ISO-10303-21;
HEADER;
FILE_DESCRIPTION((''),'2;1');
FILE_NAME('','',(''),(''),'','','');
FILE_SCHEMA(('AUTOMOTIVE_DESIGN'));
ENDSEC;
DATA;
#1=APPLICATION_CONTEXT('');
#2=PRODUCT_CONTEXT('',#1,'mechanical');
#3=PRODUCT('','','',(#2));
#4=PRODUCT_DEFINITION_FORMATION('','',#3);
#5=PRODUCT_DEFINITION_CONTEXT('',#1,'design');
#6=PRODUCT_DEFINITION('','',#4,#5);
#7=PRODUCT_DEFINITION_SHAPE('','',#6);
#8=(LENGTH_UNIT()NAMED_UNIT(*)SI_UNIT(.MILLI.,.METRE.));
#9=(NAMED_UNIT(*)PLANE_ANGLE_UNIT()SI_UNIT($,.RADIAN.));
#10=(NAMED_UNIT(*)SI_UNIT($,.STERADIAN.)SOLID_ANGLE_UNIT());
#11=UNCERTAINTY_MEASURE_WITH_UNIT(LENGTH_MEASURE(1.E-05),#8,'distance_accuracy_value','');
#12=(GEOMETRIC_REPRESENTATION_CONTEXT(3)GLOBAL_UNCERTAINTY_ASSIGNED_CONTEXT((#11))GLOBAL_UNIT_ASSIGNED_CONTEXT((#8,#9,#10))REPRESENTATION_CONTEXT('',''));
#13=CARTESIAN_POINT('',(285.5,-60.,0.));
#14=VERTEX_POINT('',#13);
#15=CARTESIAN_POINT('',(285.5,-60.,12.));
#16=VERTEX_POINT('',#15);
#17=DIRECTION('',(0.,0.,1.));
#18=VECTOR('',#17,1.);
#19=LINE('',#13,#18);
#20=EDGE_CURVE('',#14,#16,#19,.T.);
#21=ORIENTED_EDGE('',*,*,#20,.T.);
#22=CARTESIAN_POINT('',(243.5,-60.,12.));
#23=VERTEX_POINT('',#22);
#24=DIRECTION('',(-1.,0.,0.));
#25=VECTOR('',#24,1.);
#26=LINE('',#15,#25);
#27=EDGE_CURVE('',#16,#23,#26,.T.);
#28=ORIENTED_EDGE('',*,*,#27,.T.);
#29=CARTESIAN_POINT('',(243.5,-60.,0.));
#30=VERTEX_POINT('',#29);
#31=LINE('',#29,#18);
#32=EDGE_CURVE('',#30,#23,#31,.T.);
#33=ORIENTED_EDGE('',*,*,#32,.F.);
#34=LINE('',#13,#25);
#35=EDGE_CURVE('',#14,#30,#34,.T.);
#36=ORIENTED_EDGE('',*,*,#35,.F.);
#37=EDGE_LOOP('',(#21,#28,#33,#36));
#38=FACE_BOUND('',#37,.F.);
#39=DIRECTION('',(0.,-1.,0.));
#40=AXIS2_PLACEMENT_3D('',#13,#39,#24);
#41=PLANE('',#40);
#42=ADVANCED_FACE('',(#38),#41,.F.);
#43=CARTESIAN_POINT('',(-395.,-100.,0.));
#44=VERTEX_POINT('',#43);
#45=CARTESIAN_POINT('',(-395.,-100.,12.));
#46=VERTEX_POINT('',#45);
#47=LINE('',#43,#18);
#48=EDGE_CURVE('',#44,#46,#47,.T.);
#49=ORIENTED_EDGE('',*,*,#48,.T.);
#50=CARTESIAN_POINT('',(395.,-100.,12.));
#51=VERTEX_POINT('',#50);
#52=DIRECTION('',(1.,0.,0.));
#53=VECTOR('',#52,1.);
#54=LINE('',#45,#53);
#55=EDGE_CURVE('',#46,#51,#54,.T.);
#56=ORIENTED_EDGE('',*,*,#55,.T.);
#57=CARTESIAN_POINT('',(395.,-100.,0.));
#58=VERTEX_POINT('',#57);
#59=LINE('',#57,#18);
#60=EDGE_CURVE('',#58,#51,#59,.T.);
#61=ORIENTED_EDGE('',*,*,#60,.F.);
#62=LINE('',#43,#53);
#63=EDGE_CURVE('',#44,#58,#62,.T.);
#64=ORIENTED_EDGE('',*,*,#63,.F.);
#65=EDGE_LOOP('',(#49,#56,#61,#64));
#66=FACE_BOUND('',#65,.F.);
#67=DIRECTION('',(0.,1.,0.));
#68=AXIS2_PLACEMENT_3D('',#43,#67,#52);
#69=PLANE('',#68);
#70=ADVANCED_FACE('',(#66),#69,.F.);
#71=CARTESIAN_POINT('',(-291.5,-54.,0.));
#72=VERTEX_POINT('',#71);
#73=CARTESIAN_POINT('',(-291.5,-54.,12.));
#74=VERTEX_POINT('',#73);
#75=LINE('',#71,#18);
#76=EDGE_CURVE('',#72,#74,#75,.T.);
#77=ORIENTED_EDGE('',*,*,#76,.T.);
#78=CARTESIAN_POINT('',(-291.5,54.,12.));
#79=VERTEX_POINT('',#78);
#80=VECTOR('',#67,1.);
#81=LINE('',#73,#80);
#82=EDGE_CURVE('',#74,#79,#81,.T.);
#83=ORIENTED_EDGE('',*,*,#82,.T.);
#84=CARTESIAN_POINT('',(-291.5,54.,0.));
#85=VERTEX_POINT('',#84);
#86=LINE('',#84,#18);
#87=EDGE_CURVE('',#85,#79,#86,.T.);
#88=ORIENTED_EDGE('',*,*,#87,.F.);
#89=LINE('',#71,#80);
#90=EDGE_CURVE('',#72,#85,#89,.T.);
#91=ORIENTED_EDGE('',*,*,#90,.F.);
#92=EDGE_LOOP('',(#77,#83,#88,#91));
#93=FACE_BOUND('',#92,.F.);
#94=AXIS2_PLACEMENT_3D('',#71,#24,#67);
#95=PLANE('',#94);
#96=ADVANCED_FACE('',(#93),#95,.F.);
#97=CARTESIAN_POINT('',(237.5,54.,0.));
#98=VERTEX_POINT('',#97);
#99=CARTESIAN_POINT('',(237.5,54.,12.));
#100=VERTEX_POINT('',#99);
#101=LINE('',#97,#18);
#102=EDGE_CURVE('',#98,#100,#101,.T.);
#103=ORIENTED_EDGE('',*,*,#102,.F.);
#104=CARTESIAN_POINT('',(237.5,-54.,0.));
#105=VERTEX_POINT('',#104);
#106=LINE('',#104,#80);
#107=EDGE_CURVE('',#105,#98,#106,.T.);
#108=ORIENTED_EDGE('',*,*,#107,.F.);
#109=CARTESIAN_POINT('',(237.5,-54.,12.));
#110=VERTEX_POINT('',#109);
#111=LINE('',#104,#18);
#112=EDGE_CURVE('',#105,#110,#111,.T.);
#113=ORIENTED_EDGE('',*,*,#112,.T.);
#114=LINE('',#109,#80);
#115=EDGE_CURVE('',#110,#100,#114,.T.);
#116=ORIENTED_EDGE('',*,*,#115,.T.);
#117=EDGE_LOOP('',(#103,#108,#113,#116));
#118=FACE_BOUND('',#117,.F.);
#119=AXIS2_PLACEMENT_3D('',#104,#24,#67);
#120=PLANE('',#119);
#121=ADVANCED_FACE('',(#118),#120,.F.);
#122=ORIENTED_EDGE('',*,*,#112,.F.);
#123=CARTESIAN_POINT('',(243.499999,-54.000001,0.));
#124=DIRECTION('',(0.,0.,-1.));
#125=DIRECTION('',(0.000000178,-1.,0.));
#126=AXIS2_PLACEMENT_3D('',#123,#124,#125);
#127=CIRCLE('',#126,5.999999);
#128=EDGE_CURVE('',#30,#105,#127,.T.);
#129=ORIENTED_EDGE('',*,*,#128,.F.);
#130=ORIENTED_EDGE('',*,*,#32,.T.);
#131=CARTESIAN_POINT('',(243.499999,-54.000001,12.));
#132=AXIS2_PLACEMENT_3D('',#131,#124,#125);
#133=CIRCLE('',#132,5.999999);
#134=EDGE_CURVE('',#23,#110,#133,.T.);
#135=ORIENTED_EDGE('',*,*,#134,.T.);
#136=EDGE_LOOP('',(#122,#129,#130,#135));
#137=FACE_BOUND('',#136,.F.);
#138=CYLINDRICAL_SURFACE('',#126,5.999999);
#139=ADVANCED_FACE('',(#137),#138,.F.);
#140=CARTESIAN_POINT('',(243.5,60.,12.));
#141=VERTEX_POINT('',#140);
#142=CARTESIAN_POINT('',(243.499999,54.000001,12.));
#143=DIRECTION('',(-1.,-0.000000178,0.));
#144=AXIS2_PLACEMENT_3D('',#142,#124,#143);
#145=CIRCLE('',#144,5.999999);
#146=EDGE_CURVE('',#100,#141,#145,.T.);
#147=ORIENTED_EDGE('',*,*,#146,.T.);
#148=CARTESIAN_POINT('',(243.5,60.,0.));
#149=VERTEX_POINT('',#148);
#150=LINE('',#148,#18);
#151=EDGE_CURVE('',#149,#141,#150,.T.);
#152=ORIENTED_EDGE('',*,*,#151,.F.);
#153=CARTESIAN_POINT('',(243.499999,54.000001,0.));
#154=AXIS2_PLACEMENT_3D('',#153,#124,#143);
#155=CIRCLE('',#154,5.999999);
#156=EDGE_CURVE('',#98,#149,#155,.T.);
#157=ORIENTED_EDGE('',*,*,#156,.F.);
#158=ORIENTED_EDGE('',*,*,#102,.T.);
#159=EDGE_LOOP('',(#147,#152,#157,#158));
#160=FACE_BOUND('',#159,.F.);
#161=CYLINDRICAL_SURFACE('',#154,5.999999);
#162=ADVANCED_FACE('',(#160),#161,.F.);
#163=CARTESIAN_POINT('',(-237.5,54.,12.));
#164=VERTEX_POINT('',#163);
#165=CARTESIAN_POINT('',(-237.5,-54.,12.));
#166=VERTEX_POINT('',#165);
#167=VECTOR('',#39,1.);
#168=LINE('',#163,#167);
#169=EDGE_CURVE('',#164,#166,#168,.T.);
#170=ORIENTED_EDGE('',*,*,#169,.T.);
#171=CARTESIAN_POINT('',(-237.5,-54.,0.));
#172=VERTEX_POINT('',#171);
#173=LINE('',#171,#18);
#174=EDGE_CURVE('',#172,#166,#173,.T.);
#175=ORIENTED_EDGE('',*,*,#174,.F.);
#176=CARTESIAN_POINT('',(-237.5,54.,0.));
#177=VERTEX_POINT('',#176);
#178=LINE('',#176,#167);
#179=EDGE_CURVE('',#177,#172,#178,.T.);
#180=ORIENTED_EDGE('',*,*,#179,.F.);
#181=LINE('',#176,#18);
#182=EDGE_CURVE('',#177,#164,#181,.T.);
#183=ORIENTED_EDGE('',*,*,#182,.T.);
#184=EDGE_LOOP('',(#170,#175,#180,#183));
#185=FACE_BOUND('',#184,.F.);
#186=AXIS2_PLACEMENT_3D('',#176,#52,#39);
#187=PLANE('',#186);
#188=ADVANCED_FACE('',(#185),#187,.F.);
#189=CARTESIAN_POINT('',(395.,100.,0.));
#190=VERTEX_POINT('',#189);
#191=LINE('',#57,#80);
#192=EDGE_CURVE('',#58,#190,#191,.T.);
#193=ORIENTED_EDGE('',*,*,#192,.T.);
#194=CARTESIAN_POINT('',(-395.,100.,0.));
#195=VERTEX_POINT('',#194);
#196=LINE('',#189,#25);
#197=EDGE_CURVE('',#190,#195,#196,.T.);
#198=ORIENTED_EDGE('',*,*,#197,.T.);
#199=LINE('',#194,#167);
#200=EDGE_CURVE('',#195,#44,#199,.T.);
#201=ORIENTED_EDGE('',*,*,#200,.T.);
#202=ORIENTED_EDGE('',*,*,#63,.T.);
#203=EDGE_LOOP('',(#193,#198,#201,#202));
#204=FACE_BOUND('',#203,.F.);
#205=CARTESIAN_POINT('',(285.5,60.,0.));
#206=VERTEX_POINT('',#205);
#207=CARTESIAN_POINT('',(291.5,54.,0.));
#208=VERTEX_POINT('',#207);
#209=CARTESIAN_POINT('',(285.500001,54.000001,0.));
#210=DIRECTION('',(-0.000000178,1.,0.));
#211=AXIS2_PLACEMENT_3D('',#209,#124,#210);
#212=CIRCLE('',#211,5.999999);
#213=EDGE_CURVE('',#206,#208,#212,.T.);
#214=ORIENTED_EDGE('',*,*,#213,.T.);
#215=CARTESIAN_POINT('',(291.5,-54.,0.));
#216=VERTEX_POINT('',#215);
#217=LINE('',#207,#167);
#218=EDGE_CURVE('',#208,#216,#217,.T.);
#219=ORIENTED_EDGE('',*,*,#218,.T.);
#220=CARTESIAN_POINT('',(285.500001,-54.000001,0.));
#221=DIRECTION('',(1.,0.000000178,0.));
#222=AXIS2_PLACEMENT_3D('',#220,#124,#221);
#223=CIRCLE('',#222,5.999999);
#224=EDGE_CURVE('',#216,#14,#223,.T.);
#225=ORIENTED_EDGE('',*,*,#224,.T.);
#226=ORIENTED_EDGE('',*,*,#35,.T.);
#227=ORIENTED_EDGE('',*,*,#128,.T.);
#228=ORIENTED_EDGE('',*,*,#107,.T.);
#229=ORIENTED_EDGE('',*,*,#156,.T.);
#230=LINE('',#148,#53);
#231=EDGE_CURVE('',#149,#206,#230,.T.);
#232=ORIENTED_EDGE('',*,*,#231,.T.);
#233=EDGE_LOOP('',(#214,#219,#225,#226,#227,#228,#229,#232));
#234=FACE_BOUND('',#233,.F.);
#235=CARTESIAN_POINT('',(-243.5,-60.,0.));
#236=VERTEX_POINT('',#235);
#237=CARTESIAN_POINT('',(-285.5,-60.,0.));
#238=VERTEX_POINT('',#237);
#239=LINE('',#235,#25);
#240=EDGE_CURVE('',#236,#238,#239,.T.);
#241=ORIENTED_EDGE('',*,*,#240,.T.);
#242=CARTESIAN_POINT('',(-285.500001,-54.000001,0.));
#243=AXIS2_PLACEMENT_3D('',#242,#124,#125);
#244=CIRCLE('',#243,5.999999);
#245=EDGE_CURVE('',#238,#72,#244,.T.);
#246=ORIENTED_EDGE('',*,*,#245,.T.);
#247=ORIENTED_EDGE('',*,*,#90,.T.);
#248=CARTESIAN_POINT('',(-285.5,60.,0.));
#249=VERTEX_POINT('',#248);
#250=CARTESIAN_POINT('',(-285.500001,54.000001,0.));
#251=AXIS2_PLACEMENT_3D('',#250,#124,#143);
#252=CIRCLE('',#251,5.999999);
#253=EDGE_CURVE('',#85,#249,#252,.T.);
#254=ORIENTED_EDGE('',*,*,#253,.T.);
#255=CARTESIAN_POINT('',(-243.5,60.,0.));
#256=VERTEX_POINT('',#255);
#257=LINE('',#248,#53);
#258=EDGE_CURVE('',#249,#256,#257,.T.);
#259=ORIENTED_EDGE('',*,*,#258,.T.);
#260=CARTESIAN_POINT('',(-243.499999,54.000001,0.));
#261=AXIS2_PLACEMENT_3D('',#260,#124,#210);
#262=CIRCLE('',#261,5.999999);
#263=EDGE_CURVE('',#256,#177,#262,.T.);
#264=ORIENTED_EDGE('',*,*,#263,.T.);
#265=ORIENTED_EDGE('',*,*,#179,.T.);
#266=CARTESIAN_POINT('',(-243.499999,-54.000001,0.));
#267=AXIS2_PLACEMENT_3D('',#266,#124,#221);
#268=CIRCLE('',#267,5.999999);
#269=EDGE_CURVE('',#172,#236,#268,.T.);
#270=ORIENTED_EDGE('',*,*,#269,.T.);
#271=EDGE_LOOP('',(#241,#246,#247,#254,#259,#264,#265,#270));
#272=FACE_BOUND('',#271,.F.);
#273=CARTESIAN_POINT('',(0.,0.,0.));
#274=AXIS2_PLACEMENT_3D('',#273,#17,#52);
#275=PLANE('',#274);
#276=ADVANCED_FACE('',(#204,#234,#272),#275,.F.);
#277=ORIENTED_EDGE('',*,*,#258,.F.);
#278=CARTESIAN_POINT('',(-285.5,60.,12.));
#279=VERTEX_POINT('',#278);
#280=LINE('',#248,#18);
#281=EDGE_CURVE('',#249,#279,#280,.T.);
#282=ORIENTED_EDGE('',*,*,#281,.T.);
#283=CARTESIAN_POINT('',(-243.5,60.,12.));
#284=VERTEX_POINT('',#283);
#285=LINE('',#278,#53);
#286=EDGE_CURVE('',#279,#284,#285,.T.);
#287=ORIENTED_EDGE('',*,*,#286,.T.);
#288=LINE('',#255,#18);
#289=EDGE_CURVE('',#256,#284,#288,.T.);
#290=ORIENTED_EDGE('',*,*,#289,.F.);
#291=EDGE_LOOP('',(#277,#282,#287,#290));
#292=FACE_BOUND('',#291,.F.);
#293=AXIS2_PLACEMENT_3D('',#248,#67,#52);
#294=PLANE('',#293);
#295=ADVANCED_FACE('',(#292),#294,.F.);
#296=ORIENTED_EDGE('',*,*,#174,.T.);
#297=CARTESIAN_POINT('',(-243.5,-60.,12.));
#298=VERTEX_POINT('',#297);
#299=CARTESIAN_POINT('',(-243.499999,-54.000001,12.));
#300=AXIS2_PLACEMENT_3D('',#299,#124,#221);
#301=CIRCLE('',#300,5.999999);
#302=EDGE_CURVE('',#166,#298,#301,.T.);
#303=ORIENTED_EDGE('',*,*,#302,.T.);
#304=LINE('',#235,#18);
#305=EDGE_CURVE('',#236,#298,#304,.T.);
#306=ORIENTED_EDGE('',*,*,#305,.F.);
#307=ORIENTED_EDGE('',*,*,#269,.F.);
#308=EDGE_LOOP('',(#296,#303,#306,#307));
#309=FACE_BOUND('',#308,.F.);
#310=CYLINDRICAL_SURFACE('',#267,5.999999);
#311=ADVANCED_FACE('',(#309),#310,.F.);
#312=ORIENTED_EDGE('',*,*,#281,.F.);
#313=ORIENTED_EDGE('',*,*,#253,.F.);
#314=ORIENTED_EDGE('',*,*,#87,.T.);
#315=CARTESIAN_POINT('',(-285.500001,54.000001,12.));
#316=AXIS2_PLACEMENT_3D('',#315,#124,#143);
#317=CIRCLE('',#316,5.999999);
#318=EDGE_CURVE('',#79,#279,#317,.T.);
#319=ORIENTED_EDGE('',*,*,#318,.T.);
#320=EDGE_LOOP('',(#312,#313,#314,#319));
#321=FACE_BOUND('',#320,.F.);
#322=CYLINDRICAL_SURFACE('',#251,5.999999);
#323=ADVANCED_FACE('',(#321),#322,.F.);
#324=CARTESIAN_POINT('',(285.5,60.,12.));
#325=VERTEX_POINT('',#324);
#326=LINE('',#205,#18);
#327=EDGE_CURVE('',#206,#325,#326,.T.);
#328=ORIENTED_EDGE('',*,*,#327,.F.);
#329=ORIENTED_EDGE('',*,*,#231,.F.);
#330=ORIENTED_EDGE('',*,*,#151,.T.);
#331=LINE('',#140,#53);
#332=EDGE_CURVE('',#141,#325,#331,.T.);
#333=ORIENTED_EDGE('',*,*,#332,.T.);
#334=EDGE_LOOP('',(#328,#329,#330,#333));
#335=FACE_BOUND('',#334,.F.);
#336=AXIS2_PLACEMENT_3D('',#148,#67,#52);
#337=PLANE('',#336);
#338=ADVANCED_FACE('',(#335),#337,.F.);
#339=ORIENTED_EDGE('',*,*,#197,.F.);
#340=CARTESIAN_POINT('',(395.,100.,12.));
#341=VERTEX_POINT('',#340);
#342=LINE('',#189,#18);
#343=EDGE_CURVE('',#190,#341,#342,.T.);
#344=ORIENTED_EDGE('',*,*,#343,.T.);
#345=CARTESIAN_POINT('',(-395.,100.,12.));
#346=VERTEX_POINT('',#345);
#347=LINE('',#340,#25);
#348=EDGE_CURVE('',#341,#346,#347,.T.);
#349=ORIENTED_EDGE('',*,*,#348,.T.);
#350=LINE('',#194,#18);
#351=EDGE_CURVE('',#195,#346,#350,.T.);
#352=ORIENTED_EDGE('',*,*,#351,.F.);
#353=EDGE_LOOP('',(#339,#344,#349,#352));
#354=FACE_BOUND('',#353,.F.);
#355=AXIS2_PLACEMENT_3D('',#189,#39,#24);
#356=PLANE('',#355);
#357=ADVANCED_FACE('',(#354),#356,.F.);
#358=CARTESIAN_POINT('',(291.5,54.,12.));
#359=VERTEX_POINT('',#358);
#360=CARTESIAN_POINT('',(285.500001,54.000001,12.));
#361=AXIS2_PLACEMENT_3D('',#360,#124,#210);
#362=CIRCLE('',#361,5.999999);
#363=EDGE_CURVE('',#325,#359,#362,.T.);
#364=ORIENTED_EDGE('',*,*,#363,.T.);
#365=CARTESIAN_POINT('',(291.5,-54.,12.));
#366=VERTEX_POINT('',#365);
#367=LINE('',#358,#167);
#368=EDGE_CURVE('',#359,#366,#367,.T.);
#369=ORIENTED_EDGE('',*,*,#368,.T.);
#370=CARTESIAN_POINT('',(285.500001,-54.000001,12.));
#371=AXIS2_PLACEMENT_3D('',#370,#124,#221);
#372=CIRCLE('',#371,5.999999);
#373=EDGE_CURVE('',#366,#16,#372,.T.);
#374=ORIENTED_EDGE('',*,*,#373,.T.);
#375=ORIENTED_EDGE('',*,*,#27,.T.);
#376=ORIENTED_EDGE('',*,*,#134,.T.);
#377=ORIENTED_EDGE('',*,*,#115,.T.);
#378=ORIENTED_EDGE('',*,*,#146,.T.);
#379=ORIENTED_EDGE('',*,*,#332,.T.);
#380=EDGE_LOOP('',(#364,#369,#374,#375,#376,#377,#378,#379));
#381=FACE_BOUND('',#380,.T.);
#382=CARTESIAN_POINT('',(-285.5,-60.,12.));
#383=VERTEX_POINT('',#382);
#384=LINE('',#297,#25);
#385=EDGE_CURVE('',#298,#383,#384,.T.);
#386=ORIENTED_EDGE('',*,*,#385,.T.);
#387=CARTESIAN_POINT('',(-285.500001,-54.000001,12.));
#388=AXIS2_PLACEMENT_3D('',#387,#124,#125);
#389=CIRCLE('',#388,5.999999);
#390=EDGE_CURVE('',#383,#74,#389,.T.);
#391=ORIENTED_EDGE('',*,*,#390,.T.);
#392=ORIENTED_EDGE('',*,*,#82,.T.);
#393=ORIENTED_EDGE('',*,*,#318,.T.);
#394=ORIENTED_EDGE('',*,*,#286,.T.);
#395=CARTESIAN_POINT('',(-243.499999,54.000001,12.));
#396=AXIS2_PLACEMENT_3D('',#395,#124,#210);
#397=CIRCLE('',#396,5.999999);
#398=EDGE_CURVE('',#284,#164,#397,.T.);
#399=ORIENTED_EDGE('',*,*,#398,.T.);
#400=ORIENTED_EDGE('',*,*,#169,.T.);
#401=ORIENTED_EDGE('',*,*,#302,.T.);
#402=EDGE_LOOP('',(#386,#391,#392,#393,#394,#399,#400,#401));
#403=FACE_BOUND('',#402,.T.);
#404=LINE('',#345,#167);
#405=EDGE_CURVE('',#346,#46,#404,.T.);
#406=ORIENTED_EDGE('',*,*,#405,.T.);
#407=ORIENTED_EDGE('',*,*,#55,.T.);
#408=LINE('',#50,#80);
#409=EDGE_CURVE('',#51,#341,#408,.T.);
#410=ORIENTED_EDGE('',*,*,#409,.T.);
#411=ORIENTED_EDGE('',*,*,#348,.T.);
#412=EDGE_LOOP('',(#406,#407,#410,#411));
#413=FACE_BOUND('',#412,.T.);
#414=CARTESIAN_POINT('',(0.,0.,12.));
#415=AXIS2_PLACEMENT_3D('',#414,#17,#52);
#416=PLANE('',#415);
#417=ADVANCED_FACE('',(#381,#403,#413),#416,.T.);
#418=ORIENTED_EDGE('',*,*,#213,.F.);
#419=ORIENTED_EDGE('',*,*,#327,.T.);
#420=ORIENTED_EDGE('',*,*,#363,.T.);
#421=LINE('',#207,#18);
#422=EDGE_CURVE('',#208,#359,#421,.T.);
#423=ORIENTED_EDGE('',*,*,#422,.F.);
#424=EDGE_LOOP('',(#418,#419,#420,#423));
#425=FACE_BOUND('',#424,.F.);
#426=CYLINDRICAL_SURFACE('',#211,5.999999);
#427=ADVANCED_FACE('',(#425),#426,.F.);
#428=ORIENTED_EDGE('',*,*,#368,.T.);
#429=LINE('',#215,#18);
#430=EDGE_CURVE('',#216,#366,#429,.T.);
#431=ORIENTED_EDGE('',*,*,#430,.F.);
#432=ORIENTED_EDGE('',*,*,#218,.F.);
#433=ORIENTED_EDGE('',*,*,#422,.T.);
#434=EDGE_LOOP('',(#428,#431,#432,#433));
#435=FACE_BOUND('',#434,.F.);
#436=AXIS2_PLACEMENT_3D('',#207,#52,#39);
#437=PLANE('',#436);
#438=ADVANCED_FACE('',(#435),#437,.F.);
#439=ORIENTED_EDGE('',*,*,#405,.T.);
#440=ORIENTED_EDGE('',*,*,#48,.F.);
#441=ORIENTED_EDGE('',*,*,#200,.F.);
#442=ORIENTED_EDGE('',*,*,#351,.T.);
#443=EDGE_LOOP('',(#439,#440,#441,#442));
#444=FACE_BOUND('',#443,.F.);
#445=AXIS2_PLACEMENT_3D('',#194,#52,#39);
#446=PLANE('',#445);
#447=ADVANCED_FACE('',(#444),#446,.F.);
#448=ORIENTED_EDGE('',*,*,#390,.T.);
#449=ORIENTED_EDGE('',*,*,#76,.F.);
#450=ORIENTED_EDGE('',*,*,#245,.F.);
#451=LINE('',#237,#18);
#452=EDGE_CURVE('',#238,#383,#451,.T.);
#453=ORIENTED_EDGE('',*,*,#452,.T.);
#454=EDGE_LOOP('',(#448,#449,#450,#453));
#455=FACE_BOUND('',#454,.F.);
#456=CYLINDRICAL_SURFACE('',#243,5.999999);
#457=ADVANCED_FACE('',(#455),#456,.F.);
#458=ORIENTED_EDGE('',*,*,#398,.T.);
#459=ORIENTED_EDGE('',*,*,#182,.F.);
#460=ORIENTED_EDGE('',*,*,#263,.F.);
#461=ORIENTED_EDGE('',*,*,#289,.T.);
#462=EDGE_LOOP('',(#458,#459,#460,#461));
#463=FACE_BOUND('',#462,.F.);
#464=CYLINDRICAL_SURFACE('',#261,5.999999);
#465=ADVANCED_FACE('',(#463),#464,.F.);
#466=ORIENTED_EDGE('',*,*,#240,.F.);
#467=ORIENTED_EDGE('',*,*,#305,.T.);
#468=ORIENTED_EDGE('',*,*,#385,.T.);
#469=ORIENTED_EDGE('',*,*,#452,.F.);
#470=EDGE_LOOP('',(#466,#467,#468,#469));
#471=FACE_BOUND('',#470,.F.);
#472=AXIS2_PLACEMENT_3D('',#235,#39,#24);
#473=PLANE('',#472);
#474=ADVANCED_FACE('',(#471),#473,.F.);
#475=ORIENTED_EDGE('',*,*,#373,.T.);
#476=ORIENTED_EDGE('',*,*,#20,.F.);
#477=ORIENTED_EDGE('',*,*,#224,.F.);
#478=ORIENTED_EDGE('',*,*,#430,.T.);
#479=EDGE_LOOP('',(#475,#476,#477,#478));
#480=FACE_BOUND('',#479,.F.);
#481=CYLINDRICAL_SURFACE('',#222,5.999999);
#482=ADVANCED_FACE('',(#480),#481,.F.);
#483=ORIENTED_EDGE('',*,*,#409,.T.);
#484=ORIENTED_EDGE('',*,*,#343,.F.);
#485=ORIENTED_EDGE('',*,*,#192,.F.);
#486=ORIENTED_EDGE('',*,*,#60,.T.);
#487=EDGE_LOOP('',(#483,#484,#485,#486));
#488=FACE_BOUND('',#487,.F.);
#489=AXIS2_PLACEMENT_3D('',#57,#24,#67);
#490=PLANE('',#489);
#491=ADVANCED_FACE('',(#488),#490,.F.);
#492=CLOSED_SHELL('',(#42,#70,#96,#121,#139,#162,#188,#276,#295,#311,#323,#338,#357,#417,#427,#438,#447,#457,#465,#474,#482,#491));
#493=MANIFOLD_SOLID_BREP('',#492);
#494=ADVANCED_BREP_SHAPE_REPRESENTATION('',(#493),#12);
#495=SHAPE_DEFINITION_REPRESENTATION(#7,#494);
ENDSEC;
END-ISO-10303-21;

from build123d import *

# Parameters (mm, degrees)
F1_DEPTH = 12


with BuildPart() as f1:
    # F0 (on Top) → F1 (new body)
    with BuildSketch(Plane.XY):
        Polygon((395, 100), (0, 100), (-395, 100), (-395, -100), (0, -100), (395, -100), align=None)
        with BuildLine():
            Line((-285.5, 60), (-243.5, 60))
            ThreePointArc((-243.5, 60), (-239.257359, 58.242641), (-237.5, 54))
            Line((-237.5, 54), (-237.5, -54))
            ThreePointArc((-237.5, -54), (-239.257359, -58.242641), (-243.5, -60))
            Line((-243.5, -60), (-285.5, -60))
            ThreePointArc((-285.5, -60), (-289.742641, -58.242641), (-291.5, -54))
            Line((-291.5, -54), (-291.5, 54))
            ThreePointArc((-291.5, 54), (-289.742641, 58.242641), (-285.5, 60))
        make_face(mode=Mode.SUBTRACT)
        with BuildLine():
            ThreePointArc((237.5, 54), (239.257359, 58.242641), (243.5, 60))
            Line((243.5, 60), (285.5, 60))
            ThreePointArc((285.5, 60), (289.742641, 58.242641), (291.5, 54))
            Line((291.5, 54), (291.5, -54))
            ThreePointArc((291.5, -54), (289.742641, -58.242641), (285.5, -60))
            Line((285.5, -60), (243.5, -60))
            ThreePointArc((243.5, -60), (239.257359, -58.242641), (237.5, -54))
            Line((237.5, -54), (237.5, 54))
        make_face(mode=Mode.SUBTRACT)
    extrude(amount=F1_DEPTH)


solid = f1.part
